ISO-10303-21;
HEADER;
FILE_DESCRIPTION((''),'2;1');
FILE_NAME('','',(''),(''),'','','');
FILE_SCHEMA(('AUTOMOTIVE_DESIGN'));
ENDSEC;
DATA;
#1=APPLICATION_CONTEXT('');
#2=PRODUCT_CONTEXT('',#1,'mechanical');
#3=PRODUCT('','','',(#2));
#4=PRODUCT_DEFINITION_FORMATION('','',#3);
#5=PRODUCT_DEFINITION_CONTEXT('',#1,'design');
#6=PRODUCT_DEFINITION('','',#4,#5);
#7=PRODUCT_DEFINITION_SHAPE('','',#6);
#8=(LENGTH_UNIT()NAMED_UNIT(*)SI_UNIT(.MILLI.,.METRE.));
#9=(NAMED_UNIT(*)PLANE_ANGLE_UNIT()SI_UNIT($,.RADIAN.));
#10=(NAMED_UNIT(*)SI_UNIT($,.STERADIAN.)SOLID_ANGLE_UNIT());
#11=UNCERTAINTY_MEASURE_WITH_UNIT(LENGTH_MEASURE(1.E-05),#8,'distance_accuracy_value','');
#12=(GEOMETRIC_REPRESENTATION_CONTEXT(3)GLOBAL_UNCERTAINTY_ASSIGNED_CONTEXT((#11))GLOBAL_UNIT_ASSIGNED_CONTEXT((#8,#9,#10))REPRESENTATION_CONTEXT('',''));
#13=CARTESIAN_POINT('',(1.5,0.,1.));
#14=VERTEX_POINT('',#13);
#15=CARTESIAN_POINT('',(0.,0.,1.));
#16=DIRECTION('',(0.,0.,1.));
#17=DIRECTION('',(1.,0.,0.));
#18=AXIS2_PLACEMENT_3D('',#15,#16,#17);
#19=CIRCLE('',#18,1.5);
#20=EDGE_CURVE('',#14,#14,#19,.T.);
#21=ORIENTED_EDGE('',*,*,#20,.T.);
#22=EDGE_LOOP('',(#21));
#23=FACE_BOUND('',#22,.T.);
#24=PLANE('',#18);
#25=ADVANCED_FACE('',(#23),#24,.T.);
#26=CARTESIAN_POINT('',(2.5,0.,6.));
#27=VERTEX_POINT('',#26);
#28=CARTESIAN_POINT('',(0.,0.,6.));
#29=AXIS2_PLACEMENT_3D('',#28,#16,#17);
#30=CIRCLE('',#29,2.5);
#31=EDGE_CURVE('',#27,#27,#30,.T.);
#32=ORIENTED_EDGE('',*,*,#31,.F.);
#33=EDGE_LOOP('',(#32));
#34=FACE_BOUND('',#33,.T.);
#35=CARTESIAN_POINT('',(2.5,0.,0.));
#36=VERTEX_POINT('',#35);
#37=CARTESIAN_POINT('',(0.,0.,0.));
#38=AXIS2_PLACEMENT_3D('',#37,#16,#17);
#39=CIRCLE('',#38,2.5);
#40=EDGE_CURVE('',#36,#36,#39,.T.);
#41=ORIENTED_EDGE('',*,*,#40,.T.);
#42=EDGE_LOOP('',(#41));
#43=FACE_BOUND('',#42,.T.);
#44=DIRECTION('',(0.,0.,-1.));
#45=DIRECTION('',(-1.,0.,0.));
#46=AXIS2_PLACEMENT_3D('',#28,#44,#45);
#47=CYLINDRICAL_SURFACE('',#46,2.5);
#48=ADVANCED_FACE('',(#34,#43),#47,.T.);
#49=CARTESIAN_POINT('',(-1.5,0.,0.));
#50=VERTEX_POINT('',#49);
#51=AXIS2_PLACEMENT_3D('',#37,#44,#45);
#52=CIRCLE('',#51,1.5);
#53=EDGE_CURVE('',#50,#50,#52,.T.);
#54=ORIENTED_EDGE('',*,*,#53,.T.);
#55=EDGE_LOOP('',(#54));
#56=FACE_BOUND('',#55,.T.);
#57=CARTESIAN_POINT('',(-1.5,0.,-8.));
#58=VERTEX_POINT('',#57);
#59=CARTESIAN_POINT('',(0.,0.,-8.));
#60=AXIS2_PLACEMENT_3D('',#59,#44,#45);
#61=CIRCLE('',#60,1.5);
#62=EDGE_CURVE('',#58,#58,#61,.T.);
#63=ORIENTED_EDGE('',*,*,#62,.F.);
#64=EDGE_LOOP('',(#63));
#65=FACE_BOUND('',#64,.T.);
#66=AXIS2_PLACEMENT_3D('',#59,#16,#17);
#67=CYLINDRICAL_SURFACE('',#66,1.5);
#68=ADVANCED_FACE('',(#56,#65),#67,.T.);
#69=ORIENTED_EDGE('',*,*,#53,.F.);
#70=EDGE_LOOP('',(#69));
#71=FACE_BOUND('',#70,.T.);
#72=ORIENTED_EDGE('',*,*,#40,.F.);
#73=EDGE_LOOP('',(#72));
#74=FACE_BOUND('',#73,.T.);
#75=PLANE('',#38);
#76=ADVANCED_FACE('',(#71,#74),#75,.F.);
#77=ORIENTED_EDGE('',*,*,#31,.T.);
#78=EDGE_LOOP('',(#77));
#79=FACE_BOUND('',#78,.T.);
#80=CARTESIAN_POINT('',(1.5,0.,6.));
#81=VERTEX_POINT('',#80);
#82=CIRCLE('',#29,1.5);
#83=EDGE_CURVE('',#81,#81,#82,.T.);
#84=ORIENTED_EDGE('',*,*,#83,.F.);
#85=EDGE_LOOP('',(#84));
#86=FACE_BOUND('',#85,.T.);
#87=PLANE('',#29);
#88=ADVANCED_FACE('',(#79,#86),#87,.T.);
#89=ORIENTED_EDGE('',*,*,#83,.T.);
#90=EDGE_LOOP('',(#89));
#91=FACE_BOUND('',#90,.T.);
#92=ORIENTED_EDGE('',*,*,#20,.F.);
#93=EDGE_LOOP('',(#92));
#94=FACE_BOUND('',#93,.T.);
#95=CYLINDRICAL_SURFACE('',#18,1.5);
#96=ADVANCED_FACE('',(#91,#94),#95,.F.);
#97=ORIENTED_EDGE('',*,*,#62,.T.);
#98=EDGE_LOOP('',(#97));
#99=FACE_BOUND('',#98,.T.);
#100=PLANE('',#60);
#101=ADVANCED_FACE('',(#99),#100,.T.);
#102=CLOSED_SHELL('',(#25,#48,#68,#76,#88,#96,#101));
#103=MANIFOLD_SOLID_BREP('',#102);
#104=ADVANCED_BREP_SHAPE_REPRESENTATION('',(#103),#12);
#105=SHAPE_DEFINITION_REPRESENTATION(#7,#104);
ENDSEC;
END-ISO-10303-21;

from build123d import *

# Parameters (mm, degrees)
ESQUISSE1_R             = 2.5
BOSS_EXTRU_1_DEPTH      = 6
ESQUISSE2_R             = 1.5
ENL_V_MAT_EXTRU_1_DEPTH = 5
ESQUISSE3_R             = 1.5
BOSS_EXTRU_2_DEPTH      = 8


with BuildPart() as part:
    # Esquisse1 → Boss.-Extru.1 (new body)
    with BuildSketch(Plane.XY):
        Circle(ESQUISSE1_R)
    extrude(amount=BOSS_EXTRU_1_DEPTH)

    # Esquisse2 → Enlèv. mat.-Extru.1 (cut)
    with BuildSketch(Plane.XY.offset(6)):
        Circle(ESQUISSE2_R)
    extrude(amount=-ENL_V_MAT_EXTRU_1_DEPTH, mode=Mode.SUBTRACT)

    # Esquisse3 → Boss.-Extru.2 (add)
    with BuildSketch(Plane(origin=(0, 0, 0), x_dir=(-1, 0, 0), z_dir=(0, 0, -1))):
        with Locations(Location((0, 0, 0), (0, 0, 180))):
            Circle(ESQUISSE3_R)
    extrude(amount=BOSS_EXTRU_2_DEPTH)


solid = part.part
